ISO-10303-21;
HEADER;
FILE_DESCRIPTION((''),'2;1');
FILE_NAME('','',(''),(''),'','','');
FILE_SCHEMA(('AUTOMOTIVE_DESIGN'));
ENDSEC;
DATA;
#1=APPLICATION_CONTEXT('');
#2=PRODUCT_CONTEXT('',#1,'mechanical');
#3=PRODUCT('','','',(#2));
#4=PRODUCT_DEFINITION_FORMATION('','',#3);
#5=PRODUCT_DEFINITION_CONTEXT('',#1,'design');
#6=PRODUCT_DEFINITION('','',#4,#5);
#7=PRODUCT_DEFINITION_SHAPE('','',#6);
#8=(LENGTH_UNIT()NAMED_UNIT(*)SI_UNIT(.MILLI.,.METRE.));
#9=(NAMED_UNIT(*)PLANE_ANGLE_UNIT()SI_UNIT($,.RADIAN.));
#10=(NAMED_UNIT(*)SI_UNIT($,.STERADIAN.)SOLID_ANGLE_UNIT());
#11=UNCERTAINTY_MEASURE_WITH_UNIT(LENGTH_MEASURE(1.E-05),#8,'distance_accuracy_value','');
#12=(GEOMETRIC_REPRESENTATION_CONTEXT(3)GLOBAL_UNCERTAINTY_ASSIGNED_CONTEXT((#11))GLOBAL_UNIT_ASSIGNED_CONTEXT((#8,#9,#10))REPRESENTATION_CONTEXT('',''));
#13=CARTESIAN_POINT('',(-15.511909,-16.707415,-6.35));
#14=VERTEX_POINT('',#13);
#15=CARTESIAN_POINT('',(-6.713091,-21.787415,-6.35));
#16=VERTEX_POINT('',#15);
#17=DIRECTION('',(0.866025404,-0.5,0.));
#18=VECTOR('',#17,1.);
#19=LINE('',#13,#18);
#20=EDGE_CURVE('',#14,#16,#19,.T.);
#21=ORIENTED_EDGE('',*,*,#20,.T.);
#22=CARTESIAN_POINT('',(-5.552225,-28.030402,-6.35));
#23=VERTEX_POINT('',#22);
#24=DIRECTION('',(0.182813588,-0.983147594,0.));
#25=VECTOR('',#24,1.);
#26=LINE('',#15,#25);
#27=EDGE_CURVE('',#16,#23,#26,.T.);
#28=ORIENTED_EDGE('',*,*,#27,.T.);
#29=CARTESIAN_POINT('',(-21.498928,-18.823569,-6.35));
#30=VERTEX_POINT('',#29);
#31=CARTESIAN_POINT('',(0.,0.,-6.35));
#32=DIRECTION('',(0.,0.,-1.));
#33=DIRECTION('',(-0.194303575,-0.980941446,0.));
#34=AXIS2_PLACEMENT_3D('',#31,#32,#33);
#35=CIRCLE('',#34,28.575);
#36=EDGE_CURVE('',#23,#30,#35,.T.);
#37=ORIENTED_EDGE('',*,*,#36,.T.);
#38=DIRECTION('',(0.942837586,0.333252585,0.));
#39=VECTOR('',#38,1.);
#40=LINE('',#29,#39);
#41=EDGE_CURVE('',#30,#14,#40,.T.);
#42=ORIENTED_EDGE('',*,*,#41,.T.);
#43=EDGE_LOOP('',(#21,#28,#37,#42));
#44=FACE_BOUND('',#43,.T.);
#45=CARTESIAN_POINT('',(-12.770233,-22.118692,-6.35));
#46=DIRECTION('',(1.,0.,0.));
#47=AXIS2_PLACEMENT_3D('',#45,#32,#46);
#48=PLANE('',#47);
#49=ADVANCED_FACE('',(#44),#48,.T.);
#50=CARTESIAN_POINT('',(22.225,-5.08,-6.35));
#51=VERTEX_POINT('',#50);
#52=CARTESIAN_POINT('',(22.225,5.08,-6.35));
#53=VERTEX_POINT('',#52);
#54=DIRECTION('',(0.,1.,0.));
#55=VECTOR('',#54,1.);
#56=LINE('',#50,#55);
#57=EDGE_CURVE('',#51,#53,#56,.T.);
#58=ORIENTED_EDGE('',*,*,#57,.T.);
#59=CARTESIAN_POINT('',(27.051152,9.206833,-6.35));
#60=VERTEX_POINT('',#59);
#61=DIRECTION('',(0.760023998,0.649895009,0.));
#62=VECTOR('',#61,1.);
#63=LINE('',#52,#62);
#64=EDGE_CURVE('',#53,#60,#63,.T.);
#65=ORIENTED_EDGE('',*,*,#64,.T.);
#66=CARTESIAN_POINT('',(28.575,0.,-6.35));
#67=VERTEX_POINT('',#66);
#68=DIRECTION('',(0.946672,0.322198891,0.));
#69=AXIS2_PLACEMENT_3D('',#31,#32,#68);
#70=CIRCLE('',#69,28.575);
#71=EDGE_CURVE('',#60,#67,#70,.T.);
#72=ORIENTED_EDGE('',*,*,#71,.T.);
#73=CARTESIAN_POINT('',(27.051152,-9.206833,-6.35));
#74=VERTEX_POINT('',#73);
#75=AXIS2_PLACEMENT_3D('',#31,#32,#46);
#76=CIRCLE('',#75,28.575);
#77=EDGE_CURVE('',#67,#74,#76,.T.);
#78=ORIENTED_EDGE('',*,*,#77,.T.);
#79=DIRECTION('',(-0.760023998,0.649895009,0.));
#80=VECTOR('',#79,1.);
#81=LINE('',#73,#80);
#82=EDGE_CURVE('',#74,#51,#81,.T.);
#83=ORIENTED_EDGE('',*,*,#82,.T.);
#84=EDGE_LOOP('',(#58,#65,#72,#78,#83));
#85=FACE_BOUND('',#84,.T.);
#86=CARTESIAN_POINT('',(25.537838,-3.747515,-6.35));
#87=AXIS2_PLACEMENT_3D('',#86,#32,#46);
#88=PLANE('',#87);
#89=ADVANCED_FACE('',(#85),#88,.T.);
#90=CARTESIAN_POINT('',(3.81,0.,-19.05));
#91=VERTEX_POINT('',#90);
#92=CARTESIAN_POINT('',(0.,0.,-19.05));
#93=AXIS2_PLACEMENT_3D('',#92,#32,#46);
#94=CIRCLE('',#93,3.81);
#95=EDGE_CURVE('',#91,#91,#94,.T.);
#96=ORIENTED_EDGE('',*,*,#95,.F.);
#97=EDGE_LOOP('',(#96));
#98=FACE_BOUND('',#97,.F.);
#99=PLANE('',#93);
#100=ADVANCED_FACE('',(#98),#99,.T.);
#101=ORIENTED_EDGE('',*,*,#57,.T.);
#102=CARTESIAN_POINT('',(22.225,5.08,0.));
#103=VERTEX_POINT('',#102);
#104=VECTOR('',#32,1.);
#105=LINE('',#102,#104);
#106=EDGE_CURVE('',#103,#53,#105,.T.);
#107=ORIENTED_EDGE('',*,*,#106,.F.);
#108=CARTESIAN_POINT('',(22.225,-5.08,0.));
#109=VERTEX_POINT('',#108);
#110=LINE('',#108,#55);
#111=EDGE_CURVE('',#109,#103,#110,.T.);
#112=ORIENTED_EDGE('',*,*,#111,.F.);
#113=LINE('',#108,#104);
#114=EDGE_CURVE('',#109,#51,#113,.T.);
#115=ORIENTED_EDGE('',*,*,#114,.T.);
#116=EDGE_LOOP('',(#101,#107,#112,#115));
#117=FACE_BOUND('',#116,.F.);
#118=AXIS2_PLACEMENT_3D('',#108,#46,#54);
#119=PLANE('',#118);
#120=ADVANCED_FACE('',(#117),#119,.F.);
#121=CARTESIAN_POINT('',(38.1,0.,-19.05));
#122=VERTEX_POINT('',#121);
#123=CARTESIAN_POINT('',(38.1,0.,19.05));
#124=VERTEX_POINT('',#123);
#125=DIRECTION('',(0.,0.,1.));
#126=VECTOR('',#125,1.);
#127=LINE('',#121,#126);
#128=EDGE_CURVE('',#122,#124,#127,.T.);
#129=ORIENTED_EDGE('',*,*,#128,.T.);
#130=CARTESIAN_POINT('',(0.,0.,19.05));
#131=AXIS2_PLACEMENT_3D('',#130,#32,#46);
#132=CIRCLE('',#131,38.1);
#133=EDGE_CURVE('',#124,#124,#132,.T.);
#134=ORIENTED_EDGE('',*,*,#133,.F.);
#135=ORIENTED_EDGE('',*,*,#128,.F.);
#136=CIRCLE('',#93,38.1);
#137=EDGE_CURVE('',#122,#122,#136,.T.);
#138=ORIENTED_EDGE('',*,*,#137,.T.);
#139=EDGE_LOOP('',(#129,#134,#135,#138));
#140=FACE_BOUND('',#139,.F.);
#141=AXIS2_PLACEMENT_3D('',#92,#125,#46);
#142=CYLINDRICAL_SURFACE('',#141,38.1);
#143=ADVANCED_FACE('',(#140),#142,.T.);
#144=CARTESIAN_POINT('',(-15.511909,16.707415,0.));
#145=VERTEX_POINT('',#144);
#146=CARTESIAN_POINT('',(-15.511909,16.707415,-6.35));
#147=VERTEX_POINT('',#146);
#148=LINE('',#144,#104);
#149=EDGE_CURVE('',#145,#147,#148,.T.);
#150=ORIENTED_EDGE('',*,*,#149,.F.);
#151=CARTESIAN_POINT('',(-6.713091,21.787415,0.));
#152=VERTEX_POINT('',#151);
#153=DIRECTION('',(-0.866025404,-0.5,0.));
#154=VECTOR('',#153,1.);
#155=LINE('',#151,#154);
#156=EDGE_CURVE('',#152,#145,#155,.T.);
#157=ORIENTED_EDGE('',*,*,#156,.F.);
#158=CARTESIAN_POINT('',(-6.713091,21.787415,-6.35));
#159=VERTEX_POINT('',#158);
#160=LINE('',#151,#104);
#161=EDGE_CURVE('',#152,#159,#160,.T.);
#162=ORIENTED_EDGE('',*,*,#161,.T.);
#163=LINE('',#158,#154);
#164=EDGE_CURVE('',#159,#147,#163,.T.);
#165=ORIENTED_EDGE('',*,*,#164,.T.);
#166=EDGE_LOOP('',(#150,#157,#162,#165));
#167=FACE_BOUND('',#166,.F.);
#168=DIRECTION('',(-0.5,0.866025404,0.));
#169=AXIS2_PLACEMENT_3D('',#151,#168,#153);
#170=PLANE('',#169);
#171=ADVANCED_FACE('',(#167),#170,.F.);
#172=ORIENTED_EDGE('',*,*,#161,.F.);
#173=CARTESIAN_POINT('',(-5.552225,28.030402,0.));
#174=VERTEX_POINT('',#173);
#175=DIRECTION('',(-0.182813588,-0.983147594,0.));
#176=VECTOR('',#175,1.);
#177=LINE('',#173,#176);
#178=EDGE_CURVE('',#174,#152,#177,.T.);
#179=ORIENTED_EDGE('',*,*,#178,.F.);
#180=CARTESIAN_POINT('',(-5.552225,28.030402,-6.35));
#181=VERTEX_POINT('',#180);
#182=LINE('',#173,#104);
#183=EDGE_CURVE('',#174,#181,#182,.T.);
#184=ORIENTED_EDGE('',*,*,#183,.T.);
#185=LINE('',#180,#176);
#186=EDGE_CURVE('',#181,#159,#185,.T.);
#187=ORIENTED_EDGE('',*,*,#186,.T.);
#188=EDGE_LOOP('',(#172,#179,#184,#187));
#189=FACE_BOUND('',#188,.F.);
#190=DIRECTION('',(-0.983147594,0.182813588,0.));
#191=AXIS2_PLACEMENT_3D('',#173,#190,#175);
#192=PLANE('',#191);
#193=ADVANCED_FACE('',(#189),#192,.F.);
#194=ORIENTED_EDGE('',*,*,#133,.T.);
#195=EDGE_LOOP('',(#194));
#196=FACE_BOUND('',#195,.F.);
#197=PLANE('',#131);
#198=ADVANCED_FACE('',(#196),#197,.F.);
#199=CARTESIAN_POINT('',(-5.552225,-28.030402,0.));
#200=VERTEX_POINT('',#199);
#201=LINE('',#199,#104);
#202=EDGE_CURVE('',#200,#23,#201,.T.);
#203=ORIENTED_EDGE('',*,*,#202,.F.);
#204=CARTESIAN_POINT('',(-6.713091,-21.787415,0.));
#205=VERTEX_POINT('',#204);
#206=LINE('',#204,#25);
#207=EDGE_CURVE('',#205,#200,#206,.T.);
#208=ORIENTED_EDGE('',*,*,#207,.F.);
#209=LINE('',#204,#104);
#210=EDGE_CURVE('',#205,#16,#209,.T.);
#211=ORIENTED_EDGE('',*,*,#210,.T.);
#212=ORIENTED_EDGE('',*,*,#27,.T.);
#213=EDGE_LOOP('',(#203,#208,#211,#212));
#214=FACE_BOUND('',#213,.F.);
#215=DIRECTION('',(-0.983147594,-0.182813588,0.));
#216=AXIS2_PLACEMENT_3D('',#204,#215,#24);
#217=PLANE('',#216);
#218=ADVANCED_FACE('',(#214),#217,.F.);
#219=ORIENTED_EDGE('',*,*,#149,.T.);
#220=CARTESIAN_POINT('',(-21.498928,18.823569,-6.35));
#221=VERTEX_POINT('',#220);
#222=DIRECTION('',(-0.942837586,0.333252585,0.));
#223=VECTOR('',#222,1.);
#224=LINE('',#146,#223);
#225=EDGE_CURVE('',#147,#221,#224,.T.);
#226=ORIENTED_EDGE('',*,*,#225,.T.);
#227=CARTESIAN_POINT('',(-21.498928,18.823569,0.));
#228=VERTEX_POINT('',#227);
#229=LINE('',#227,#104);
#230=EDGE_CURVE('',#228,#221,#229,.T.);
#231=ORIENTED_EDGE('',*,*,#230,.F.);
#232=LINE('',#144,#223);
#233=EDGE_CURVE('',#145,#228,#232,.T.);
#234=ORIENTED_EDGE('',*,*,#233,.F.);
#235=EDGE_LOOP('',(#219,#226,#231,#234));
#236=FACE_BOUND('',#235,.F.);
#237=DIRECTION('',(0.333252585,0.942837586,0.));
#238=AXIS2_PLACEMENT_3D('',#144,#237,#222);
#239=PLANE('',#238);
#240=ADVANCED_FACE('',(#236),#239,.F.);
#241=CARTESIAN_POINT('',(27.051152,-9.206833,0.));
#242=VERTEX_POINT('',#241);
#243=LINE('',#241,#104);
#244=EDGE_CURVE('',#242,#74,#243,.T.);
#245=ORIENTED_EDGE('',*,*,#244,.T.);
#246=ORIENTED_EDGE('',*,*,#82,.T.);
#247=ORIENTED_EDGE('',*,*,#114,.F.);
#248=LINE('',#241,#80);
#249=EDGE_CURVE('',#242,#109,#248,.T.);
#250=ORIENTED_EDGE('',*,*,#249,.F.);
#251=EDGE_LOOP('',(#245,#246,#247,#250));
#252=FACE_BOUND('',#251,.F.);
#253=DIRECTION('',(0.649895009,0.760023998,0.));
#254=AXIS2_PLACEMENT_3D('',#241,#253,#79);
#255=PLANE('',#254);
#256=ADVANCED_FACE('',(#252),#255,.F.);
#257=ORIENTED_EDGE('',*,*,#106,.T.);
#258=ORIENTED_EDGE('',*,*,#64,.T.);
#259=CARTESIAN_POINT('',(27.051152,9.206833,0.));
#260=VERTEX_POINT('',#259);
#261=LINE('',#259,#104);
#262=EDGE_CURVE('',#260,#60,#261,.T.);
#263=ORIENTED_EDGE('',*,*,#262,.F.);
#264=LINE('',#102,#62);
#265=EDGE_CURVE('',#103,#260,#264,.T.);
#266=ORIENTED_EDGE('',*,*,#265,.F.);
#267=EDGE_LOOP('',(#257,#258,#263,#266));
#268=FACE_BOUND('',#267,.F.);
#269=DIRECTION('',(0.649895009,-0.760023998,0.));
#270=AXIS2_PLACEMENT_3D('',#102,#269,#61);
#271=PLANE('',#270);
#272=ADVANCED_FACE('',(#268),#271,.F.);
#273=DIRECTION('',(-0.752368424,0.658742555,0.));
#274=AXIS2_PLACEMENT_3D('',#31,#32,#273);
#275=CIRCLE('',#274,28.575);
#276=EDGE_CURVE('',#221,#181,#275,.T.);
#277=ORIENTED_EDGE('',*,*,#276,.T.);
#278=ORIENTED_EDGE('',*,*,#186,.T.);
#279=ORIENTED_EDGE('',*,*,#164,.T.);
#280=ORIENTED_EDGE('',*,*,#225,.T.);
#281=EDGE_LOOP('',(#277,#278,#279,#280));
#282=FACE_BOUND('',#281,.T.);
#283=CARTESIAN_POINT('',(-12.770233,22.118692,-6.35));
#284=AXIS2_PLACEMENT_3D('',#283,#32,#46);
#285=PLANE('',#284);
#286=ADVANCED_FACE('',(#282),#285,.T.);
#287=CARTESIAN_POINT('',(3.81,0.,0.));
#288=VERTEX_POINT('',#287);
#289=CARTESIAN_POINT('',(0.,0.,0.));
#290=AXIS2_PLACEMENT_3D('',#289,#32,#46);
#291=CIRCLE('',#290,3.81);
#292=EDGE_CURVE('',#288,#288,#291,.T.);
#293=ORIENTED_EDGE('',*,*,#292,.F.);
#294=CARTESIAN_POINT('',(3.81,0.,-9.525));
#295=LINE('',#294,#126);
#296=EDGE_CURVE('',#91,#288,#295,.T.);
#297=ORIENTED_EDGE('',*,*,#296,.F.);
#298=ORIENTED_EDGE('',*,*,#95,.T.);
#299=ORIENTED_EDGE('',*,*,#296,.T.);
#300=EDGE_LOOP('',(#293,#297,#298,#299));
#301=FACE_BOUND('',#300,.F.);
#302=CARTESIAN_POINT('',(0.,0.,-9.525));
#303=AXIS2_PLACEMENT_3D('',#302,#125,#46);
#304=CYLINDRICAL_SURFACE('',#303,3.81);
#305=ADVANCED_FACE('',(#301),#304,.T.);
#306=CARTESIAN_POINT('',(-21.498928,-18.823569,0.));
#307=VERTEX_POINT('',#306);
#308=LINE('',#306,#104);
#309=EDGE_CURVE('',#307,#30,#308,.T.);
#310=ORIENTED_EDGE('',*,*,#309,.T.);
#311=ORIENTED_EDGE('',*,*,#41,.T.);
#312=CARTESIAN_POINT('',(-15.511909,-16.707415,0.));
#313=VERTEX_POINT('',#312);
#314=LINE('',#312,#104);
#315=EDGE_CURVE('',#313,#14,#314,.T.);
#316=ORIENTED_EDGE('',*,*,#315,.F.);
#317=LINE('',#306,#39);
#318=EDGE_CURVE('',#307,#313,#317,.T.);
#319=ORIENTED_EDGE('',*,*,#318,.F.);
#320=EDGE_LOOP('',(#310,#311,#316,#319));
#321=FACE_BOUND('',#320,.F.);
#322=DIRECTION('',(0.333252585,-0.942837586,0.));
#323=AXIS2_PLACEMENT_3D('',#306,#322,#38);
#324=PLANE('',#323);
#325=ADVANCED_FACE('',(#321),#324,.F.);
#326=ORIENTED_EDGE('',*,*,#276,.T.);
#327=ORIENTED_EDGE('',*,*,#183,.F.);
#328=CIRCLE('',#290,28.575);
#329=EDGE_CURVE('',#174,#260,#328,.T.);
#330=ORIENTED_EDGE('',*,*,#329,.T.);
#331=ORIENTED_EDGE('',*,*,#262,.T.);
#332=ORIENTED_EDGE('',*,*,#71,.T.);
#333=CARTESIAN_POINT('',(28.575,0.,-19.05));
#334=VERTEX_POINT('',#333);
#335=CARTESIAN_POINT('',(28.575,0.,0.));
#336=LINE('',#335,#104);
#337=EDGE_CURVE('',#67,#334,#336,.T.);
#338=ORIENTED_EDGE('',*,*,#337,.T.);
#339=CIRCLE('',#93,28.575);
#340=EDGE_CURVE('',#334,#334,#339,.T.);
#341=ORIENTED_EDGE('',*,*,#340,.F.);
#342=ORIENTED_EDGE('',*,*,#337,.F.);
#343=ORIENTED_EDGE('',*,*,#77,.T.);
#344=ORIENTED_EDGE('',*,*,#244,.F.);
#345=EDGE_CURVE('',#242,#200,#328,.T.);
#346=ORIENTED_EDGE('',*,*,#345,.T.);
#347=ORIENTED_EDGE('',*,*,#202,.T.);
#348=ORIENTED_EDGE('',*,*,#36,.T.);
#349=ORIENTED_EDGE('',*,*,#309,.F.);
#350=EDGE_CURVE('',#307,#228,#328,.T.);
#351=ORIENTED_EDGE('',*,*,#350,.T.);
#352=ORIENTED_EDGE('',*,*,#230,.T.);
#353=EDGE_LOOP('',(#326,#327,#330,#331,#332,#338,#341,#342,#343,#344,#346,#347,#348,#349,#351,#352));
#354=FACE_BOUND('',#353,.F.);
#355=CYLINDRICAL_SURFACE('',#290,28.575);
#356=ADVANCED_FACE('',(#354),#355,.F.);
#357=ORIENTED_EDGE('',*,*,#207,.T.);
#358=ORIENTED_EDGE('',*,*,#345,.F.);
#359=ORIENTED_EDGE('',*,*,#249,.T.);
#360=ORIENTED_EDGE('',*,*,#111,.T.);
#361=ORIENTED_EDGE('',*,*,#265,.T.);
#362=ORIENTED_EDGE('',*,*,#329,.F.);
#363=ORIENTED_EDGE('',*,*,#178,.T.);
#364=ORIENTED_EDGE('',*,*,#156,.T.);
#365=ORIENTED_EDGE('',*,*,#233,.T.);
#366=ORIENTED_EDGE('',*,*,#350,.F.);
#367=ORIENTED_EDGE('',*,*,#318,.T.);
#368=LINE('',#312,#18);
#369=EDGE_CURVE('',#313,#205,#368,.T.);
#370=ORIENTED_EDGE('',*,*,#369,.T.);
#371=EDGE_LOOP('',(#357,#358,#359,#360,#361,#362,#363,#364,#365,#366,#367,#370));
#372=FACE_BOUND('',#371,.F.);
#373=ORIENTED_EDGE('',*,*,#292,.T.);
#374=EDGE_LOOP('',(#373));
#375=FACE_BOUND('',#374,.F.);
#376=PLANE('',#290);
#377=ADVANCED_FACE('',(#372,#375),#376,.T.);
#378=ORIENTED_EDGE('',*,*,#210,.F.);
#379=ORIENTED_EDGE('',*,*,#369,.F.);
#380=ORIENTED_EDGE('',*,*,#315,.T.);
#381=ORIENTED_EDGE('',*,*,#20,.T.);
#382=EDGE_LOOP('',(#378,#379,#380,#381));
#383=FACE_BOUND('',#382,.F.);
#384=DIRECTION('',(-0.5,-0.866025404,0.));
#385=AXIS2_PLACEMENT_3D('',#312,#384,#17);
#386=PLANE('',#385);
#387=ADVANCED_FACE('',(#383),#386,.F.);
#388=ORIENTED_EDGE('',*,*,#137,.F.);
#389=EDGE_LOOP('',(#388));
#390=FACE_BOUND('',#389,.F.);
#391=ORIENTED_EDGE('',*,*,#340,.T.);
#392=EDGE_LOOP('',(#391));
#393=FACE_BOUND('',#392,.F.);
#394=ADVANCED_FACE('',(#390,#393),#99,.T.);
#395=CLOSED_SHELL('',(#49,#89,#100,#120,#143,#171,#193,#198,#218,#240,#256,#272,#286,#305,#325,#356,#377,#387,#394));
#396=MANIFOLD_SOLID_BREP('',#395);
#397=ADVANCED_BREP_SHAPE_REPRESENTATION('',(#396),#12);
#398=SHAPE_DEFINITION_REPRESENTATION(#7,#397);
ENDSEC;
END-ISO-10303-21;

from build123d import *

# Parameters (mm, degrees)
F0_W     = 3.81
F0_H     = 19.05
F3_DEPTH = 6.35


with BuildPart() as f1:
    # F0 (on Front) → F1 (revolve)
    with BuildSketch(Plane.XZ):
        Polygon((0, 19.05), (0, 0), (3.81, 0), (28.575, 0), (28.575, -19.05), (38.1, -19.05), (38.1, 19.05), align=None)
        with Locations((1.905, -9.525)):
            Rectangle(F0_W, F0_H)
    revolve(axis=Axis((0, 0, 9.525), (0, 0, -1)))

    # F2 (on face) → F3 (join)
    with BuildSketch(Plane(origin=(0, 0, 0), x_dir=(1, 0, 0), z_dir=(0, 0, -1))):
        with BuildLine():
            Line((-6.7130909488, 21.7874145991), (-5.5522246622, 28.030401822))
            ThreePointArc((-5.5522246622, 28.030401822), (-14.2875, 24.7466759131), (-21.498927725, 18.823568516))
            Line((-21.498927725, 18.823568516), (-15.5119090512, 16.7074145991))
            Line((-15.5119090512, 16.7074145991), (-11.1125, 19.2474145991))
            Line((-11.1125, 19.2474145991), (-6.7130909488, 21.7874145991))
        make_face()
        with BuildLine():
            Line((22.225, 0), (28.575, 0))
            ThreePointArc((28.575, 0), (28.1914641733, 4.6660446599), (27.0511523872, 9.206833306))
            Line((27.0511523872, 9.206833306), (22.225, 5.08))
            Line((22.225, 5.08), (22.225, 0))
        make_face()
        with BuildLine():
            ThreePointArc((27.0511523872, -9.206833306), (28.1914641733, -4.6660446599), (28.575, 0))
            Line((28.575, 0), (22.225, 0))
            Line((22.225, 0), (22.225, -5.08))
            Line((22.225, -5.08), (27.0511523872, -9.206833306))
        make_face()
        with BuildLine():
            ThreePointArc((-21.498927725, -18.823568516), (-14.2875, -24.7466759131), (-5.5522246622, -28.030401822))
            Line((-5.5522246622, -28.030401822), (-6.7130909488, -21.7874145991))
            Line((-6.7130909488, -21.7874145991), (-11.1125, -19.2474145991))
            Line((-11.1125, -19.2474145991), (-15.5119090512, -16.7074145991))
            Line((-15.5119090512, -16.7074145991), (-21.498927725, -18.823568516))
        make_face()
    extrude(amount=F3_DEPTH)


solid = f1.part
